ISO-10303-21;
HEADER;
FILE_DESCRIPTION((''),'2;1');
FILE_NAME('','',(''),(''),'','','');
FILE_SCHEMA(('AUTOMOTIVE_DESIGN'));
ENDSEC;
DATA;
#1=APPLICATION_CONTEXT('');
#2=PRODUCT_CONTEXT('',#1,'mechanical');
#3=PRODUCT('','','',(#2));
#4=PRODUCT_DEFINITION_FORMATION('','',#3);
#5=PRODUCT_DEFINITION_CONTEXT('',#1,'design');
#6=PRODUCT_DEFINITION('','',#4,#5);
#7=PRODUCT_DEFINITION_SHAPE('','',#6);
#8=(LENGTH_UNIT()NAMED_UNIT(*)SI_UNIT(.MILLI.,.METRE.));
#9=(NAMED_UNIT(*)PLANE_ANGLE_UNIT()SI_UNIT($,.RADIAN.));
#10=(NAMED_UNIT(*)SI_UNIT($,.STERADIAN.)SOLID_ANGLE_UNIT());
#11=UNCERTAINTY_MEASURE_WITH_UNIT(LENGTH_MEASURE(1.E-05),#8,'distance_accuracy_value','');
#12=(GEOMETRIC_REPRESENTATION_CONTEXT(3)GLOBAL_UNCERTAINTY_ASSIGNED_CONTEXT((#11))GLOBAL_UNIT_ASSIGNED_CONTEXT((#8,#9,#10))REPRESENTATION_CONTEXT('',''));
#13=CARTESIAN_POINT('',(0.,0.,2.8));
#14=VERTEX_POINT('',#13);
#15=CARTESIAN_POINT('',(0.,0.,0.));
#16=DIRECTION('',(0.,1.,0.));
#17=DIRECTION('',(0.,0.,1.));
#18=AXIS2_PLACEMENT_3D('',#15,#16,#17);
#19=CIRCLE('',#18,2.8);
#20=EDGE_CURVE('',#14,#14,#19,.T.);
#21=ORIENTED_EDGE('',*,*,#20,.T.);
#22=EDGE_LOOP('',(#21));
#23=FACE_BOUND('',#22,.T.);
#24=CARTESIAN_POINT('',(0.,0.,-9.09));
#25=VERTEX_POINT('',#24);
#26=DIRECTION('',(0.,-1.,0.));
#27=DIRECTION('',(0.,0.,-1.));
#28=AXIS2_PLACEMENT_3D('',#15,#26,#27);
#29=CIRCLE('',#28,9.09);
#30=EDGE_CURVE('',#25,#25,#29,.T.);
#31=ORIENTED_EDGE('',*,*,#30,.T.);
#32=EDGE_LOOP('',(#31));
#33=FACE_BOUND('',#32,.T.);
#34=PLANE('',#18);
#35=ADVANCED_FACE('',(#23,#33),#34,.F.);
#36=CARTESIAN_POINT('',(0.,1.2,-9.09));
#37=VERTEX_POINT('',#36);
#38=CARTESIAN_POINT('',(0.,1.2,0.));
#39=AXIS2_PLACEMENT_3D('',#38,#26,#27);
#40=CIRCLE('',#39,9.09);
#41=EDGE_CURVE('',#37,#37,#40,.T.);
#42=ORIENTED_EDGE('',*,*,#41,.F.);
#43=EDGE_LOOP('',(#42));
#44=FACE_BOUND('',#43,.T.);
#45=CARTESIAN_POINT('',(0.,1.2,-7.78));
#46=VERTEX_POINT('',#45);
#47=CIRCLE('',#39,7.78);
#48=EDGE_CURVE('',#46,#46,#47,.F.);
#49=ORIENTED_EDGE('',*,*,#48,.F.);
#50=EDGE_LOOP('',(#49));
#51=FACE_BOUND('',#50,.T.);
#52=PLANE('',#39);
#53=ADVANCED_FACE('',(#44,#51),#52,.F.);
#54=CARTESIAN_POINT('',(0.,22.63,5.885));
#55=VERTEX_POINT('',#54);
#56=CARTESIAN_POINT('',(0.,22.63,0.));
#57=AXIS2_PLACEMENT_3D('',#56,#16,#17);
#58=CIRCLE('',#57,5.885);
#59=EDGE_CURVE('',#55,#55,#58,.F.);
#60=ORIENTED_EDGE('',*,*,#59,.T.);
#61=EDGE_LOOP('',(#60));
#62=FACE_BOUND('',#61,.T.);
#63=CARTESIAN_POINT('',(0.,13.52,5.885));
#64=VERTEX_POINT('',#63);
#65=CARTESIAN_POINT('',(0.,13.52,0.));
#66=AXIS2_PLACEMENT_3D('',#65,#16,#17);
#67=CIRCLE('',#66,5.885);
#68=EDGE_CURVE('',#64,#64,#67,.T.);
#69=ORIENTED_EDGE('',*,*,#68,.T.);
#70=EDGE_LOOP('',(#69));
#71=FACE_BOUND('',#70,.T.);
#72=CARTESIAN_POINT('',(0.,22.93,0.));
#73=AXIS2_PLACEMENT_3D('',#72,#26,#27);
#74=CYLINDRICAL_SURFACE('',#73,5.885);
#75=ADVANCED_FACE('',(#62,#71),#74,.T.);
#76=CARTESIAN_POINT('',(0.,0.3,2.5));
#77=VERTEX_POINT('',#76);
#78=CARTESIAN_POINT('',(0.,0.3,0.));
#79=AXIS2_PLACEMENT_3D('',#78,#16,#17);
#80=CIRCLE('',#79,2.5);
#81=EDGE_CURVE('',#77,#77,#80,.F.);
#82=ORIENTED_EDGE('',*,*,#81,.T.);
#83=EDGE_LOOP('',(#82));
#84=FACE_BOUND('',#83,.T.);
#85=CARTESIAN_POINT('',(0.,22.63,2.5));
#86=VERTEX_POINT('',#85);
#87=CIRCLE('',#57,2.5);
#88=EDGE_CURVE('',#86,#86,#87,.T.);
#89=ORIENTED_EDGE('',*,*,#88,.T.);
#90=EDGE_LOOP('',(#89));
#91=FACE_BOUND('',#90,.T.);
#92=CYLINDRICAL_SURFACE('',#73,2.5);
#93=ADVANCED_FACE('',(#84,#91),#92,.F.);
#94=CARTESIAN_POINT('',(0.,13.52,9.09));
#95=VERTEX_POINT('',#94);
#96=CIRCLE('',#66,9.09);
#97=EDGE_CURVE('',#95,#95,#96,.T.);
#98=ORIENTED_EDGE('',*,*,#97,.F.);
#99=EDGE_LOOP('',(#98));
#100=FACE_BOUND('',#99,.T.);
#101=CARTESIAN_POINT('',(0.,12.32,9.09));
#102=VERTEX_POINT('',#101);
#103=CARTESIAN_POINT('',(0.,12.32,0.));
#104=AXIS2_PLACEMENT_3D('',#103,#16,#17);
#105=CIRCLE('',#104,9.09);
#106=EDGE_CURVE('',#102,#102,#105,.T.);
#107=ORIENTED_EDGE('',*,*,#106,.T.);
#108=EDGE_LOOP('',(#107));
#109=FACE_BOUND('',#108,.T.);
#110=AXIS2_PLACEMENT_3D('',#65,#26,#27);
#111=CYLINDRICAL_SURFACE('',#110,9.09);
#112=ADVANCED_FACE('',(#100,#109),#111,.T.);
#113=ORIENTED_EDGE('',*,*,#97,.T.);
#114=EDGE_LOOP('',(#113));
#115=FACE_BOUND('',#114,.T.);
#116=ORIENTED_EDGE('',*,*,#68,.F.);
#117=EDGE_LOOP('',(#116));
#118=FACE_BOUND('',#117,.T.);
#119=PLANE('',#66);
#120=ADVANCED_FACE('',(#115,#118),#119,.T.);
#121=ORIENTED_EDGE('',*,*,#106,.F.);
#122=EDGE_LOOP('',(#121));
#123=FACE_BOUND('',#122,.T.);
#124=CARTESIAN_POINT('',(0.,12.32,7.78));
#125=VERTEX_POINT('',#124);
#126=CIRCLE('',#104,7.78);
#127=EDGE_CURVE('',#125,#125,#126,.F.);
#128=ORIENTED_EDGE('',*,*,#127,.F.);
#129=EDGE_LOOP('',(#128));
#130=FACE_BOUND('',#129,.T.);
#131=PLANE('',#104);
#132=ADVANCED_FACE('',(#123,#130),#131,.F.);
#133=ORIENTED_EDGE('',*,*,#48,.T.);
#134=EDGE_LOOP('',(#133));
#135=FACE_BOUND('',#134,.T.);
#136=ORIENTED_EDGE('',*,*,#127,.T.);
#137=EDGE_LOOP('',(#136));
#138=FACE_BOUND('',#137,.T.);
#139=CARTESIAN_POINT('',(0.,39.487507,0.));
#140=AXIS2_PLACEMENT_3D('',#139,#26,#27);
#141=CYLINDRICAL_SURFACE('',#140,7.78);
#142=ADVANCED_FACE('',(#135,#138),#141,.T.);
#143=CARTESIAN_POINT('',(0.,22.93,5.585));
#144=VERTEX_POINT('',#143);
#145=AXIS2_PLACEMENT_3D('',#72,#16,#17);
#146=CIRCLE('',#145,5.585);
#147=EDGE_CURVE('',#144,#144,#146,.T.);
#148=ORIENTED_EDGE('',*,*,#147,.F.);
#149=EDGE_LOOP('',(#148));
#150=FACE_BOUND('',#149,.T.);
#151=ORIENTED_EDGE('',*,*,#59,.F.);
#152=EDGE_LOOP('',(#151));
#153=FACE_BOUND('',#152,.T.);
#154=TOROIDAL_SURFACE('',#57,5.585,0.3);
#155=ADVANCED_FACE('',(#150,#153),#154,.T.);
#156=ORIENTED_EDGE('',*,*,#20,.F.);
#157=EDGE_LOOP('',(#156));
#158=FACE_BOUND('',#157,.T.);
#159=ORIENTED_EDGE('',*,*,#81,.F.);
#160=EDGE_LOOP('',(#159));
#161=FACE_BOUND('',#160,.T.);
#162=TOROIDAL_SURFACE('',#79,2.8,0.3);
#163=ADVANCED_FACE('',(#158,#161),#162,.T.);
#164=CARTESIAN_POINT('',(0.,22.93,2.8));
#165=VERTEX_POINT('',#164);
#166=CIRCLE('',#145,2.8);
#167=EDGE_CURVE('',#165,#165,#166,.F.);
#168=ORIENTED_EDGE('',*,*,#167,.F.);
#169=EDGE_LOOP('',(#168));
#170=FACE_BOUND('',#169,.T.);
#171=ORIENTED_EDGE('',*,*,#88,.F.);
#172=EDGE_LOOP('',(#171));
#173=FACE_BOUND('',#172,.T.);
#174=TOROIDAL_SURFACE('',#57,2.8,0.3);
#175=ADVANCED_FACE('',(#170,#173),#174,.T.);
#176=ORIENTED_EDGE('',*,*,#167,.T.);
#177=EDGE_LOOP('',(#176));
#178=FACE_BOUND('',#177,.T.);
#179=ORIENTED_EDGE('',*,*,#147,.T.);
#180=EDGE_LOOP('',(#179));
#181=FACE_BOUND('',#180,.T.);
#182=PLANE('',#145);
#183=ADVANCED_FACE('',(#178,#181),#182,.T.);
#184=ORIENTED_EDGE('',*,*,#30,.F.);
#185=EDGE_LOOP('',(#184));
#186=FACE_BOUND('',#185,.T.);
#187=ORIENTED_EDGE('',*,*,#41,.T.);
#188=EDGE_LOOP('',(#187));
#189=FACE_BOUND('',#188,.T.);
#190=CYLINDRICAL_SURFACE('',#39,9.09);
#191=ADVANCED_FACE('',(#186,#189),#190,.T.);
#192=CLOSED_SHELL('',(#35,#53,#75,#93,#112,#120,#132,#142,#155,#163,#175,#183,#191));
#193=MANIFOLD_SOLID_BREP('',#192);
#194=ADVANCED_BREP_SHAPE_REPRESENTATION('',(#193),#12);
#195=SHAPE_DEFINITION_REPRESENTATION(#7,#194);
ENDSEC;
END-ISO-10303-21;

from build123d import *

# Parameters (mm, degrees)
SKETCH1_R           = 9.09
BOSS_EXTRUDE1_DEPTH = 13.52
SKETCH2_R           = 5.885
BOSS_EXTRUDE2_DEPTH = 9.41
SKETCH3_OUTSIDE_W   = 27.07
SKETCH3_OUTSIDE_H   = 27.07
SKETCH3_OUTSIDE_R   = 7.78
CUT_EXTRUDE1_DEPTH  = 12.32
SKETCH4_R           = 9.09
BOSS_EXTRUDE3_DEPTH = 1.2
SKETCH5_R           = 2.5
CUT_EXTRUDE2_DEPTH  = 23.93
FILLET3_R           = 0.3


with BuildPart() as part:
    # Sketch1 → Boss-Extrude1 (new body)
    with BuildSketch(Plane(origin=(0, 0, 0), x_dir=(1, 0, 0), z_dir=(0, 1, 0))):
        Circle(SKETCH1_R)
    extrude(amount=BOSS_EXTRUDE1_DEPTH)

    # Sketch2 → Boss-Extrude2 (add)
    with BuildSketch(Plane(origin=(0, 13.52, 0), x_dir=(1, 0, 0), z_dir=(0, 1, 0))):
        Circle(SKETCH2_R)
    extrude(amount=BOSS_EXTRUDE2_DEPTH)

    # Sketch3 outside → Cut-Extrude1 (cut)
    with BuildSketch(Plane.XZ):
        Rectangle(SKETCH3_OUTSIDE_W, SKETCH3_OUTSIDE_H)
        Circle(SKETCH3_OUTSIDE_R, mode=Mode.SUBTRACT)
    extrude(amount=-CUT_EXTRUDE1_DEPTH, mode=Mode.SUBTRACT)

    # Sketch4 → Boss-Extrude3 (add)
    with BuildSketch(Plane.XZ):
        Circle(SKETCH4_R)
    extrude(amount=-BOSS_EXTRUDE3_DEPTH)

    # Sketch5 → Cut-Extrude2 (cut, through all)
    with BuildSketch(Plane.XZ):
        Circle(SKETCH5_R)
    extrude(amount=-CUT_EXTRUDE2_DEPTH, mode=Mode.SUBTRACT)

    # Fillet3
    fillet3_edges = [part.edges().sort_by_distance(p)[0] for p in [
        (-2.5, 22.93, 0),
        (-2.5, 0, 0),
        (-5.885, 22.93, 0),
    ]]
    fillet(fillet3_edges, radius=FILLET3_R)


solid = part.part
